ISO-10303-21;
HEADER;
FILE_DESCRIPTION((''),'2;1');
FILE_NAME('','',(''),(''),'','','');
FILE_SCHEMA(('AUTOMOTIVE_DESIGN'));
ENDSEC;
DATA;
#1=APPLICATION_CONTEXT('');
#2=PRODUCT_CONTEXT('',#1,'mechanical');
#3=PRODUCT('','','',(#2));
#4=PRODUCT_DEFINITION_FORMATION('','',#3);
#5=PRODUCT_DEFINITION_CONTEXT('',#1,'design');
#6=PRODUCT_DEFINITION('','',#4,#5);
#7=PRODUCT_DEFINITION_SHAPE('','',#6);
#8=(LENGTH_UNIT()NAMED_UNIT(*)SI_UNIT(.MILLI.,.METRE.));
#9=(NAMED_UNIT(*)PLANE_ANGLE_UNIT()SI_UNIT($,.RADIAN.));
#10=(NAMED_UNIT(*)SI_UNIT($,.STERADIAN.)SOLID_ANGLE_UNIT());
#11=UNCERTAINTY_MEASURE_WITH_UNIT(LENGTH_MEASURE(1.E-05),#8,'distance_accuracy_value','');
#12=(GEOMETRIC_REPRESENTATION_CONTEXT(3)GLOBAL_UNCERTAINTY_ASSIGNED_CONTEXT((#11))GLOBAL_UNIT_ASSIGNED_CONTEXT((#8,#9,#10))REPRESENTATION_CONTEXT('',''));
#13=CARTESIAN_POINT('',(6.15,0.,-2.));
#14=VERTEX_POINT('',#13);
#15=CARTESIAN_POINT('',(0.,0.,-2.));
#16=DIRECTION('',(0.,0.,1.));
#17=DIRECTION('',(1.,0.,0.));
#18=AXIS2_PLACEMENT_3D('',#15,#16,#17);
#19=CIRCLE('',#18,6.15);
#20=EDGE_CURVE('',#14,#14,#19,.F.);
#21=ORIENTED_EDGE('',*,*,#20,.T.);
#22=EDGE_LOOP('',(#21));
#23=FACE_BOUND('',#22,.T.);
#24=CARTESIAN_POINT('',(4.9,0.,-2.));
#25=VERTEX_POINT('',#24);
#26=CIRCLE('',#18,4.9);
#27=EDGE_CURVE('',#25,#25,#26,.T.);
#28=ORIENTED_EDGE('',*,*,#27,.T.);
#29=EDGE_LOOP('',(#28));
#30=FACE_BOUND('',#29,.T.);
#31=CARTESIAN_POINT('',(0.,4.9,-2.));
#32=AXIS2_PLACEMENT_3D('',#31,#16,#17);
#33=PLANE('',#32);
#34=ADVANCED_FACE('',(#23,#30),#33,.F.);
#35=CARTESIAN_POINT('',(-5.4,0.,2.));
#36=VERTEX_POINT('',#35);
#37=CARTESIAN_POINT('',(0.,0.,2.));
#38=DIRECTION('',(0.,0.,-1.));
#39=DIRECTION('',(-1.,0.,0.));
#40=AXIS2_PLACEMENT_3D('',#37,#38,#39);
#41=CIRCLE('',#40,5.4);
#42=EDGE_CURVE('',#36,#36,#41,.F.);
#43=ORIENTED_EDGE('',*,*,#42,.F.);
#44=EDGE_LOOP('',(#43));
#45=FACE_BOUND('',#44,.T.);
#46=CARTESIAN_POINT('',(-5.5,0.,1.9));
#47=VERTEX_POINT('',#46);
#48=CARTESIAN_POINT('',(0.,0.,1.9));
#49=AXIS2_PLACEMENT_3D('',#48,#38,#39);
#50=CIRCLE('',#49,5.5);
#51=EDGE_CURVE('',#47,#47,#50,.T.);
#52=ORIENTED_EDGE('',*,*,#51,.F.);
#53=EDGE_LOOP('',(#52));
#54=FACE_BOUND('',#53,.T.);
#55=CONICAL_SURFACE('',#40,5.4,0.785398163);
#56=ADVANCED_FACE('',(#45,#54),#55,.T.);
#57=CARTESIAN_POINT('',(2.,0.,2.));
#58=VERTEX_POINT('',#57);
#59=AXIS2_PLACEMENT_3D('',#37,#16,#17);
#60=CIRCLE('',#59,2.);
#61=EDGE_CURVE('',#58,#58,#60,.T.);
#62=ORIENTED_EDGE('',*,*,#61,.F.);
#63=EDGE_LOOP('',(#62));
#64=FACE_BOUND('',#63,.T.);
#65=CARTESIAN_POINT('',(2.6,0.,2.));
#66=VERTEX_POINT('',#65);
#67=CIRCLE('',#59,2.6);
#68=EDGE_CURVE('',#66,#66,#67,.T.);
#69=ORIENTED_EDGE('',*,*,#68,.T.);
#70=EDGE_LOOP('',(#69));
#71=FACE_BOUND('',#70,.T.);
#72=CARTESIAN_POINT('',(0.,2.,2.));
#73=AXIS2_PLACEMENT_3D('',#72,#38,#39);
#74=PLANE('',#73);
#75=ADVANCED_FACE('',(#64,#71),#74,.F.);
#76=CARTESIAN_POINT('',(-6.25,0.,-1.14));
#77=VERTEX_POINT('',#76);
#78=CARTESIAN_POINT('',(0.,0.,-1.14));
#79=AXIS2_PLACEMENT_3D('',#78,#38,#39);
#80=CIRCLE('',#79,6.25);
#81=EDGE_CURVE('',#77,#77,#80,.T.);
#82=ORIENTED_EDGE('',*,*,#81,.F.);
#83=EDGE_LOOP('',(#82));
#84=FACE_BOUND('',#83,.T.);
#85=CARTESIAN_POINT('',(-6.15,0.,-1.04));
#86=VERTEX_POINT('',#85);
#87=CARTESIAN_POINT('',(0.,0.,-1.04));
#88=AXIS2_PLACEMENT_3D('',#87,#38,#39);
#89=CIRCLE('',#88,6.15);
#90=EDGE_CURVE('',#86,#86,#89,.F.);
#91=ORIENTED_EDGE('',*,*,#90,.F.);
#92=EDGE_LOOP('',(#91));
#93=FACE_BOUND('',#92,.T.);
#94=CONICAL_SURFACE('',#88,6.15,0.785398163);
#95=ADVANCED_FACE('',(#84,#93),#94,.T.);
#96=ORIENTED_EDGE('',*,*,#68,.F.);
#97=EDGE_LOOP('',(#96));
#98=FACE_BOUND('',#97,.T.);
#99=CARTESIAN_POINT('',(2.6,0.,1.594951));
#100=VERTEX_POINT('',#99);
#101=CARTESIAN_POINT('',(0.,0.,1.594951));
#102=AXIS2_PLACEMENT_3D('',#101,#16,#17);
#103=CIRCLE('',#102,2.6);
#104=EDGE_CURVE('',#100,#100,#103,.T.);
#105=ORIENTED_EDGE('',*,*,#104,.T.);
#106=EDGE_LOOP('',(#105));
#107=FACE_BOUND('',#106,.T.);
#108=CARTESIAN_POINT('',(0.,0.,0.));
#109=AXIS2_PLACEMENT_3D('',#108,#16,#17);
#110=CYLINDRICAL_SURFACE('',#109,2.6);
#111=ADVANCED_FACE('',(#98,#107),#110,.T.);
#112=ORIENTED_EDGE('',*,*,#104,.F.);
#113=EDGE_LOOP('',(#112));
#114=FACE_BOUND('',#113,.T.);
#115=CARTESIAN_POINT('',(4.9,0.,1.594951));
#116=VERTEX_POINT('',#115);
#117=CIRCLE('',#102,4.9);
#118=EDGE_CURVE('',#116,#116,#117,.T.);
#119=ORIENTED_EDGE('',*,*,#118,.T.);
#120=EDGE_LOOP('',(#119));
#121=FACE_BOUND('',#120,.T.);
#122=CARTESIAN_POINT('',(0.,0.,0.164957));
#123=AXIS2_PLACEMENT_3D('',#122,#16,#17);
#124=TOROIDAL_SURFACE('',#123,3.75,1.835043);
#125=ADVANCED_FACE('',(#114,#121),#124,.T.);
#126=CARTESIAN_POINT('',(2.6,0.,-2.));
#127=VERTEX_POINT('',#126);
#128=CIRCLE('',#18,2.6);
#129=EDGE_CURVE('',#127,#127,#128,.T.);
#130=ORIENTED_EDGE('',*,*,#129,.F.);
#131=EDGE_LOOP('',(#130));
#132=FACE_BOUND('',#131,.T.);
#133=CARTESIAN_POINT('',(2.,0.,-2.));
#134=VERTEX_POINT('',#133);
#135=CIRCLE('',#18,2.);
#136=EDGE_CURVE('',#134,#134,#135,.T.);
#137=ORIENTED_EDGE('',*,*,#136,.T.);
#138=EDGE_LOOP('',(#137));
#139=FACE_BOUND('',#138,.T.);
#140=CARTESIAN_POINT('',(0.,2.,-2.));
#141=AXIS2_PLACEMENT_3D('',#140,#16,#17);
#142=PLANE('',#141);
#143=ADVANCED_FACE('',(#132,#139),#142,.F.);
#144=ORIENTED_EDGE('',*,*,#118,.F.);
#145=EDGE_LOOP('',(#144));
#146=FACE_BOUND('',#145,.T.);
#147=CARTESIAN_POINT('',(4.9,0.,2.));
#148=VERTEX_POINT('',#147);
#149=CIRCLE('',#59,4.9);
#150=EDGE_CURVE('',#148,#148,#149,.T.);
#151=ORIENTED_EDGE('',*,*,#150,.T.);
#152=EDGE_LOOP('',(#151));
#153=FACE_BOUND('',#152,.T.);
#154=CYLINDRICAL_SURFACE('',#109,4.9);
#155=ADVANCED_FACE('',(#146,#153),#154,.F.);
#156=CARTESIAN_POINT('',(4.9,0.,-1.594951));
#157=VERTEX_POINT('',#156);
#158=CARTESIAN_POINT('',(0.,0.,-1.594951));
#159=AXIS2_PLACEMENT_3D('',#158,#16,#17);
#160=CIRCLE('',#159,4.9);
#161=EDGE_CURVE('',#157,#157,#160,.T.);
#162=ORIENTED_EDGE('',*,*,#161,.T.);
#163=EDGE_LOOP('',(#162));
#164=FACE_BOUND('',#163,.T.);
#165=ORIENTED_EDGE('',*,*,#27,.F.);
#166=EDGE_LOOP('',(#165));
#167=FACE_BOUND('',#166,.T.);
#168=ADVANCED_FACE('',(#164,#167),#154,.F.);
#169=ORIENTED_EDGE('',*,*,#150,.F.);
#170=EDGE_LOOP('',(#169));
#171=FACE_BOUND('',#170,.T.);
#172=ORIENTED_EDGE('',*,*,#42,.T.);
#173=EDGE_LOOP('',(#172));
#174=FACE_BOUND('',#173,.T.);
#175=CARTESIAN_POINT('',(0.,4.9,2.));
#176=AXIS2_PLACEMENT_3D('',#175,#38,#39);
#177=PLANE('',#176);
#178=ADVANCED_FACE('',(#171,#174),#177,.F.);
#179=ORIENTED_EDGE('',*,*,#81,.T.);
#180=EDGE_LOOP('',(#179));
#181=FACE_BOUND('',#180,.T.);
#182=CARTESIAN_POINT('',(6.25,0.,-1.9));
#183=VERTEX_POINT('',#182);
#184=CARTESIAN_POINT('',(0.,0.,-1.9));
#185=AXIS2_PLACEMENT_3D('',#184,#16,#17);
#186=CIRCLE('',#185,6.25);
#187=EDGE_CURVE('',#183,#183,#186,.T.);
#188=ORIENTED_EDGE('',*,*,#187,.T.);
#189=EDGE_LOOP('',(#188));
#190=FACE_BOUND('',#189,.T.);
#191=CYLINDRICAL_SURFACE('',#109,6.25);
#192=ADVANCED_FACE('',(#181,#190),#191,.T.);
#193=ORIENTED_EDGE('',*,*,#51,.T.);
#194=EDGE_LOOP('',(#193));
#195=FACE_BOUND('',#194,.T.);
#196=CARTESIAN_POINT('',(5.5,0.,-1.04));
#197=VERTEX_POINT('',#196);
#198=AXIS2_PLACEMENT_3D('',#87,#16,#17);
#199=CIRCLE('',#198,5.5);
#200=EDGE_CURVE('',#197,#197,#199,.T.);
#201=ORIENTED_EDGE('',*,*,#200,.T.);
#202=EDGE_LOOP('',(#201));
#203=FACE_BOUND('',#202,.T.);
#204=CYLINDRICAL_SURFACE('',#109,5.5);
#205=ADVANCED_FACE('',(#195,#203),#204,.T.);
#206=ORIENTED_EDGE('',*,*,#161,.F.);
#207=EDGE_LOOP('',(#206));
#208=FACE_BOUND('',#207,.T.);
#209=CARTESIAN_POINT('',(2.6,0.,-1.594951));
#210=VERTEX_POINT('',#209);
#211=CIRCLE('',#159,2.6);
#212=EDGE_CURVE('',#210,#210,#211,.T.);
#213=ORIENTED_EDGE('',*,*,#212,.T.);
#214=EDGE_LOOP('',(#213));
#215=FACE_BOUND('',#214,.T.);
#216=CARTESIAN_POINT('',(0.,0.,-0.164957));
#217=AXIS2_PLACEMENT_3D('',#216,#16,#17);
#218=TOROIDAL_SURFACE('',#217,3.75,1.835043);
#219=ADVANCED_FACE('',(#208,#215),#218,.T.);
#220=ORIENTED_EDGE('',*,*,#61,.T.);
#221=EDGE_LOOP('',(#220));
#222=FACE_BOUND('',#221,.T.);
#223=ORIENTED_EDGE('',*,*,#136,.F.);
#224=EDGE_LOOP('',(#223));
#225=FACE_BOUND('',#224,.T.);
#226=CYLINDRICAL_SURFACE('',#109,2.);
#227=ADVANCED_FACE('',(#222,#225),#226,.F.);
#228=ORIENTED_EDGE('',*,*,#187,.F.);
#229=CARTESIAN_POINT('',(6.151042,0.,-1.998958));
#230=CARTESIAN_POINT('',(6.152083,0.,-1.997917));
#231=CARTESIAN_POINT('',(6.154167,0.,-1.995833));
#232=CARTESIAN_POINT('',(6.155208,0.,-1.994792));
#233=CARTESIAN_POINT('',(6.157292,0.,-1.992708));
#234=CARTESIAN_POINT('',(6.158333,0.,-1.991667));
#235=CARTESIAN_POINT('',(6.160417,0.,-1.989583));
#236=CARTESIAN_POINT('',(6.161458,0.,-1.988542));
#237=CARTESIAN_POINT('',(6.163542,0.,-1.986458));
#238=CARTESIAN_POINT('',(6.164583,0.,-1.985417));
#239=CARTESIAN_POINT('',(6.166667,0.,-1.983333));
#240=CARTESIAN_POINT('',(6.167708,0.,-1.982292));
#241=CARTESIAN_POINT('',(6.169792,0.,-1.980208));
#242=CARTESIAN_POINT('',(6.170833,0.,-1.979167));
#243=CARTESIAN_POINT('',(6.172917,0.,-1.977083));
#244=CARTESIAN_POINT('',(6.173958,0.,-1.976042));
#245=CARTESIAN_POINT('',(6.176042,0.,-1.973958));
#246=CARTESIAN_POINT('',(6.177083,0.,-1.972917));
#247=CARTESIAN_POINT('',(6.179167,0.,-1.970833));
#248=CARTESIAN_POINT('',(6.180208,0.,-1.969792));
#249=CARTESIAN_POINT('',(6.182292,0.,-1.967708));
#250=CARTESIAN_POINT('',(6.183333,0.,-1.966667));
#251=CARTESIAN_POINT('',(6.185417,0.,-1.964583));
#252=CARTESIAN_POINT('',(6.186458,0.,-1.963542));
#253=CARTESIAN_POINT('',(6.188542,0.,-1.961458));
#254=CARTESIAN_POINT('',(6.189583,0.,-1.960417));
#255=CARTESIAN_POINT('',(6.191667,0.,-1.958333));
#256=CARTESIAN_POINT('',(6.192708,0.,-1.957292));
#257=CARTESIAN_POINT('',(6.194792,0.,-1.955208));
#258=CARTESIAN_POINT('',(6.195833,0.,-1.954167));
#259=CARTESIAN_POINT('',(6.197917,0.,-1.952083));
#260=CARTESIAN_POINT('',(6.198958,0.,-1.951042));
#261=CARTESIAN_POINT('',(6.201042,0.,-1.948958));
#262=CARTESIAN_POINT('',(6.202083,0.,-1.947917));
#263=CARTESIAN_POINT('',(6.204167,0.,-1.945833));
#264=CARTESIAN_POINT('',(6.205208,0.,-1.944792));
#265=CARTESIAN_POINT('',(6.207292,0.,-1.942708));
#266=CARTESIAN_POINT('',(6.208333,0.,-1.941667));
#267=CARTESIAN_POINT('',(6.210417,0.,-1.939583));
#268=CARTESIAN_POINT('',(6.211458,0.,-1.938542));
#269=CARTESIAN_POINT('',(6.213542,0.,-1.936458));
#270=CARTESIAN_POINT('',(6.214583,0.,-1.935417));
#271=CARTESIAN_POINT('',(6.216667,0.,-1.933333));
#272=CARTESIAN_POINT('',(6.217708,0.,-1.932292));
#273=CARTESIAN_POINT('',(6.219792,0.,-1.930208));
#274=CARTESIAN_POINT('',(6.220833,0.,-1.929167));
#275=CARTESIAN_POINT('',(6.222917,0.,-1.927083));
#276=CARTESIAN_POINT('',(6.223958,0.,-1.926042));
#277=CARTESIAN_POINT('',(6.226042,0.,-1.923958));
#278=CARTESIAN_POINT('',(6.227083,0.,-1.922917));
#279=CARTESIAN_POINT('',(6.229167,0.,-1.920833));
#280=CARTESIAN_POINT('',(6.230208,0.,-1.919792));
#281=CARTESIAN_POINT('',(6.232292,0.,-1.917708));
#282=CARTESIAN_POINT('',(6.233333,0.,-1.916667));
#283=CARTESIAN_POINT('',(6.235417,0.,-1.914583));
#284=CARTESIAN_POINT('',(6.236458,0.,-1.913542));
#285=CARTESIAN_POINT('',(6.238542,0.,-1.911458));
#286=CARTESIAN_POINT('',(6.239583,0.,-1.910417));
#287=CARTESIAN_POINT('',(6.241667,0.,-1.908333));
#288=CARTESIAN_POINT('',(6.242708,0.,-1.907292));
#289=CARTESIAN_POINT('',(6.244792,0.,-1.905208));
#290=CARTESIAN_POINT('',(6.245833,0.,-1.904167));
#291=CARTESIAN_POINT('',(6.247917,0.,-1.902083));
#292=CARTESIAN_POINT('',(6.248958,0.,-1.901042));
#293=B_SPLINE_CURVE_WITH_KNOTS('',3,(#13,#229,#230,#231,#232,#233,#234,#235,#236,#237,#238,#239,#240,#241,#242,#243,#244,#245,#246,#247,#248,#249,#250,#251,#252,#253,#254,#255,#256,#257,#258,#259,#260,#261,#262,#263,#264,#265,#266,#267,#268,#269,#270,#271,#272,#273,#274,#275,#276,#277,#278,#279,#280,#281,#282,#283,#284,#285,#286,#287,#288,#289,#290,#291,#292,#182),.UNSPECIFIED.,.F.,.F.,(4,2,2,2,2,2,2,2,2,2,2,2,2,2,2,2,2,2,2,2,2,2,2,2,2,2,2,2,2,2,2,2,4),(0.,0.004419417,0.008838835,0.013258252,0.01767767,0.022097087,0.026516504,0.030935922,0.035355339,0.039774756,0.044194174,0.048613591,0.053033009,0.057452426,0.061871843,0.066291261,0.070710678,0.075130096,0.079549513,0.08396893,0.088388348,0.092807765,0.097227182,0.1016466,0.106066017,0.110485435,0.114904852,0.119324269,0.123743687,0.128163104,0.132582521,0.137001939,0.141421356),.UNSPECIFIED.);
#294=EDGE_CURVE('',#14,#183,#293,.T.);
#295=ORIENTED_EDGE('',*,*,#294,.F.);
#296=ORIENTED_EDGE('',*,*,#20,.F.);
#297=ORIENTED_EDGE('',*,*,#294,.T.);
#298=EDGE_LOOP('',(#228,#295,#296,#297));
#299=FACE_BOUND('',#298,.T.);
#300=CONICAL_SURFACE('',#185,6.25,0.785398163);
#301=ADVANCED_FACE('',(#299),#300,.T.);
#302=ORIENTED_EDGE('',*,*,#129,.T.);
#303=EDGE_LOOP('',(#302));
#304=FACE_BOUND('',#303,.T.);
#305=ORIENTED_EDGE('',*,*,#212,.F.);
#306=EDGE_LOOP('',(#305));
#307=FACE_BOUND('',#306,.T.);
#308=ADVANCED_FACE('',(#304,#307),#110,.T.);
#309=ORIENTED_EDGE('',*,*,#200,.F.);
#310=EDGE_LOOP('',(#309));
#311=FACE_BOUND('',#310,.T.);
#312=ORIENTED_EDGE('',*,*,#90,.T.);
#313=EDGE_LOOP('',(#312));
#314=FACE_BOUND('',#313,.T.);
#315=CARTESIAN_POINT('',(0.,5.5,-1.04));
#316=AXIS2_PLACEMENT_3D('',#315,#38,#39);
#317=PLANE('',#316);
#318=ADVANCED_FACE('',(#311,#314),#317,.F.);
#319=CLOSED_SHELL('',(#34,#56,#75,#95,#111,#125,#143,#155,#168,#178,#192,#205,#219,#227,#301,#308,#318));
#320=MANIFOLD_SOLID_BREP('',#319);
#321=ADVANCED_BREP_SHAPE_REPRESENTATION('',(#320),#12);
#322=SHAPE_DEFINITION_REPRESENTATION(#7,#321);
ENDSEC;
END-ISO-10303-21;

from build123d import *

# Parameters (mm, degrees)
CHAMFER1_SIZE = 0.1


with BuildPart() as part:
    # Sketch1 → Revolve1 (revolve)
    with BuildSketch(Plane(origin=(0, 0, 0), x_dir=(0, 0, -1), z_dir=(1, 0, 0)), mode=Mode.PRIVATE) as revolve1_sk:
        with BuildLine():
            Line((-2, 2), (2, 2))
            Line((2, 2), (2, 2.6))
            Line((2, 2.6), (1.594951068, 2.6))
            ThreePointArc((1.594951068, 2.6), (2, 3.75), (1.594951068, 4.9))
            Line((1.594951068, 4.9), (2, 4.9))
            Line((2, 4.9), (2, 6.25))
            Line((2, 6.25), (1.04, 6.25))
            Line((1.04, 6.25), (1.04, 5.5))
            Line((1.04, 5.5), (-2, 5.5))
            Line((-2, 5.5), (-2, 4.9))
            Line((-2, 4.9), (-1.594951068, 4.9))
            ThreePointArc((-1.594951068, 4.9), (-2, 3.75), (-1.594951068, 2.6))
            Line((-1.594951068, 2.6), (-2, 2.6))
            Line((-2, 2.6), (-2, 2))
        make_face()
    revolve(revolve1_sk.sketch.rotate(Axis((0, 0, 0), (0, 0, -1)), 90), axis=Axis((0, 0, 0), (0, 0, -1)))

    # Chamfer1
    chamfer1_edges = [part.edges().sort_by_distance(p)[0] for p in [
        (-5.5, 0, 2),
        (-6.25, 0, -1.04),
        (-6.25, 0, -2),
    ]]
    chamfer(chamfer1_edges, length=CHAMFER1_SIZE)


solid = part.part
